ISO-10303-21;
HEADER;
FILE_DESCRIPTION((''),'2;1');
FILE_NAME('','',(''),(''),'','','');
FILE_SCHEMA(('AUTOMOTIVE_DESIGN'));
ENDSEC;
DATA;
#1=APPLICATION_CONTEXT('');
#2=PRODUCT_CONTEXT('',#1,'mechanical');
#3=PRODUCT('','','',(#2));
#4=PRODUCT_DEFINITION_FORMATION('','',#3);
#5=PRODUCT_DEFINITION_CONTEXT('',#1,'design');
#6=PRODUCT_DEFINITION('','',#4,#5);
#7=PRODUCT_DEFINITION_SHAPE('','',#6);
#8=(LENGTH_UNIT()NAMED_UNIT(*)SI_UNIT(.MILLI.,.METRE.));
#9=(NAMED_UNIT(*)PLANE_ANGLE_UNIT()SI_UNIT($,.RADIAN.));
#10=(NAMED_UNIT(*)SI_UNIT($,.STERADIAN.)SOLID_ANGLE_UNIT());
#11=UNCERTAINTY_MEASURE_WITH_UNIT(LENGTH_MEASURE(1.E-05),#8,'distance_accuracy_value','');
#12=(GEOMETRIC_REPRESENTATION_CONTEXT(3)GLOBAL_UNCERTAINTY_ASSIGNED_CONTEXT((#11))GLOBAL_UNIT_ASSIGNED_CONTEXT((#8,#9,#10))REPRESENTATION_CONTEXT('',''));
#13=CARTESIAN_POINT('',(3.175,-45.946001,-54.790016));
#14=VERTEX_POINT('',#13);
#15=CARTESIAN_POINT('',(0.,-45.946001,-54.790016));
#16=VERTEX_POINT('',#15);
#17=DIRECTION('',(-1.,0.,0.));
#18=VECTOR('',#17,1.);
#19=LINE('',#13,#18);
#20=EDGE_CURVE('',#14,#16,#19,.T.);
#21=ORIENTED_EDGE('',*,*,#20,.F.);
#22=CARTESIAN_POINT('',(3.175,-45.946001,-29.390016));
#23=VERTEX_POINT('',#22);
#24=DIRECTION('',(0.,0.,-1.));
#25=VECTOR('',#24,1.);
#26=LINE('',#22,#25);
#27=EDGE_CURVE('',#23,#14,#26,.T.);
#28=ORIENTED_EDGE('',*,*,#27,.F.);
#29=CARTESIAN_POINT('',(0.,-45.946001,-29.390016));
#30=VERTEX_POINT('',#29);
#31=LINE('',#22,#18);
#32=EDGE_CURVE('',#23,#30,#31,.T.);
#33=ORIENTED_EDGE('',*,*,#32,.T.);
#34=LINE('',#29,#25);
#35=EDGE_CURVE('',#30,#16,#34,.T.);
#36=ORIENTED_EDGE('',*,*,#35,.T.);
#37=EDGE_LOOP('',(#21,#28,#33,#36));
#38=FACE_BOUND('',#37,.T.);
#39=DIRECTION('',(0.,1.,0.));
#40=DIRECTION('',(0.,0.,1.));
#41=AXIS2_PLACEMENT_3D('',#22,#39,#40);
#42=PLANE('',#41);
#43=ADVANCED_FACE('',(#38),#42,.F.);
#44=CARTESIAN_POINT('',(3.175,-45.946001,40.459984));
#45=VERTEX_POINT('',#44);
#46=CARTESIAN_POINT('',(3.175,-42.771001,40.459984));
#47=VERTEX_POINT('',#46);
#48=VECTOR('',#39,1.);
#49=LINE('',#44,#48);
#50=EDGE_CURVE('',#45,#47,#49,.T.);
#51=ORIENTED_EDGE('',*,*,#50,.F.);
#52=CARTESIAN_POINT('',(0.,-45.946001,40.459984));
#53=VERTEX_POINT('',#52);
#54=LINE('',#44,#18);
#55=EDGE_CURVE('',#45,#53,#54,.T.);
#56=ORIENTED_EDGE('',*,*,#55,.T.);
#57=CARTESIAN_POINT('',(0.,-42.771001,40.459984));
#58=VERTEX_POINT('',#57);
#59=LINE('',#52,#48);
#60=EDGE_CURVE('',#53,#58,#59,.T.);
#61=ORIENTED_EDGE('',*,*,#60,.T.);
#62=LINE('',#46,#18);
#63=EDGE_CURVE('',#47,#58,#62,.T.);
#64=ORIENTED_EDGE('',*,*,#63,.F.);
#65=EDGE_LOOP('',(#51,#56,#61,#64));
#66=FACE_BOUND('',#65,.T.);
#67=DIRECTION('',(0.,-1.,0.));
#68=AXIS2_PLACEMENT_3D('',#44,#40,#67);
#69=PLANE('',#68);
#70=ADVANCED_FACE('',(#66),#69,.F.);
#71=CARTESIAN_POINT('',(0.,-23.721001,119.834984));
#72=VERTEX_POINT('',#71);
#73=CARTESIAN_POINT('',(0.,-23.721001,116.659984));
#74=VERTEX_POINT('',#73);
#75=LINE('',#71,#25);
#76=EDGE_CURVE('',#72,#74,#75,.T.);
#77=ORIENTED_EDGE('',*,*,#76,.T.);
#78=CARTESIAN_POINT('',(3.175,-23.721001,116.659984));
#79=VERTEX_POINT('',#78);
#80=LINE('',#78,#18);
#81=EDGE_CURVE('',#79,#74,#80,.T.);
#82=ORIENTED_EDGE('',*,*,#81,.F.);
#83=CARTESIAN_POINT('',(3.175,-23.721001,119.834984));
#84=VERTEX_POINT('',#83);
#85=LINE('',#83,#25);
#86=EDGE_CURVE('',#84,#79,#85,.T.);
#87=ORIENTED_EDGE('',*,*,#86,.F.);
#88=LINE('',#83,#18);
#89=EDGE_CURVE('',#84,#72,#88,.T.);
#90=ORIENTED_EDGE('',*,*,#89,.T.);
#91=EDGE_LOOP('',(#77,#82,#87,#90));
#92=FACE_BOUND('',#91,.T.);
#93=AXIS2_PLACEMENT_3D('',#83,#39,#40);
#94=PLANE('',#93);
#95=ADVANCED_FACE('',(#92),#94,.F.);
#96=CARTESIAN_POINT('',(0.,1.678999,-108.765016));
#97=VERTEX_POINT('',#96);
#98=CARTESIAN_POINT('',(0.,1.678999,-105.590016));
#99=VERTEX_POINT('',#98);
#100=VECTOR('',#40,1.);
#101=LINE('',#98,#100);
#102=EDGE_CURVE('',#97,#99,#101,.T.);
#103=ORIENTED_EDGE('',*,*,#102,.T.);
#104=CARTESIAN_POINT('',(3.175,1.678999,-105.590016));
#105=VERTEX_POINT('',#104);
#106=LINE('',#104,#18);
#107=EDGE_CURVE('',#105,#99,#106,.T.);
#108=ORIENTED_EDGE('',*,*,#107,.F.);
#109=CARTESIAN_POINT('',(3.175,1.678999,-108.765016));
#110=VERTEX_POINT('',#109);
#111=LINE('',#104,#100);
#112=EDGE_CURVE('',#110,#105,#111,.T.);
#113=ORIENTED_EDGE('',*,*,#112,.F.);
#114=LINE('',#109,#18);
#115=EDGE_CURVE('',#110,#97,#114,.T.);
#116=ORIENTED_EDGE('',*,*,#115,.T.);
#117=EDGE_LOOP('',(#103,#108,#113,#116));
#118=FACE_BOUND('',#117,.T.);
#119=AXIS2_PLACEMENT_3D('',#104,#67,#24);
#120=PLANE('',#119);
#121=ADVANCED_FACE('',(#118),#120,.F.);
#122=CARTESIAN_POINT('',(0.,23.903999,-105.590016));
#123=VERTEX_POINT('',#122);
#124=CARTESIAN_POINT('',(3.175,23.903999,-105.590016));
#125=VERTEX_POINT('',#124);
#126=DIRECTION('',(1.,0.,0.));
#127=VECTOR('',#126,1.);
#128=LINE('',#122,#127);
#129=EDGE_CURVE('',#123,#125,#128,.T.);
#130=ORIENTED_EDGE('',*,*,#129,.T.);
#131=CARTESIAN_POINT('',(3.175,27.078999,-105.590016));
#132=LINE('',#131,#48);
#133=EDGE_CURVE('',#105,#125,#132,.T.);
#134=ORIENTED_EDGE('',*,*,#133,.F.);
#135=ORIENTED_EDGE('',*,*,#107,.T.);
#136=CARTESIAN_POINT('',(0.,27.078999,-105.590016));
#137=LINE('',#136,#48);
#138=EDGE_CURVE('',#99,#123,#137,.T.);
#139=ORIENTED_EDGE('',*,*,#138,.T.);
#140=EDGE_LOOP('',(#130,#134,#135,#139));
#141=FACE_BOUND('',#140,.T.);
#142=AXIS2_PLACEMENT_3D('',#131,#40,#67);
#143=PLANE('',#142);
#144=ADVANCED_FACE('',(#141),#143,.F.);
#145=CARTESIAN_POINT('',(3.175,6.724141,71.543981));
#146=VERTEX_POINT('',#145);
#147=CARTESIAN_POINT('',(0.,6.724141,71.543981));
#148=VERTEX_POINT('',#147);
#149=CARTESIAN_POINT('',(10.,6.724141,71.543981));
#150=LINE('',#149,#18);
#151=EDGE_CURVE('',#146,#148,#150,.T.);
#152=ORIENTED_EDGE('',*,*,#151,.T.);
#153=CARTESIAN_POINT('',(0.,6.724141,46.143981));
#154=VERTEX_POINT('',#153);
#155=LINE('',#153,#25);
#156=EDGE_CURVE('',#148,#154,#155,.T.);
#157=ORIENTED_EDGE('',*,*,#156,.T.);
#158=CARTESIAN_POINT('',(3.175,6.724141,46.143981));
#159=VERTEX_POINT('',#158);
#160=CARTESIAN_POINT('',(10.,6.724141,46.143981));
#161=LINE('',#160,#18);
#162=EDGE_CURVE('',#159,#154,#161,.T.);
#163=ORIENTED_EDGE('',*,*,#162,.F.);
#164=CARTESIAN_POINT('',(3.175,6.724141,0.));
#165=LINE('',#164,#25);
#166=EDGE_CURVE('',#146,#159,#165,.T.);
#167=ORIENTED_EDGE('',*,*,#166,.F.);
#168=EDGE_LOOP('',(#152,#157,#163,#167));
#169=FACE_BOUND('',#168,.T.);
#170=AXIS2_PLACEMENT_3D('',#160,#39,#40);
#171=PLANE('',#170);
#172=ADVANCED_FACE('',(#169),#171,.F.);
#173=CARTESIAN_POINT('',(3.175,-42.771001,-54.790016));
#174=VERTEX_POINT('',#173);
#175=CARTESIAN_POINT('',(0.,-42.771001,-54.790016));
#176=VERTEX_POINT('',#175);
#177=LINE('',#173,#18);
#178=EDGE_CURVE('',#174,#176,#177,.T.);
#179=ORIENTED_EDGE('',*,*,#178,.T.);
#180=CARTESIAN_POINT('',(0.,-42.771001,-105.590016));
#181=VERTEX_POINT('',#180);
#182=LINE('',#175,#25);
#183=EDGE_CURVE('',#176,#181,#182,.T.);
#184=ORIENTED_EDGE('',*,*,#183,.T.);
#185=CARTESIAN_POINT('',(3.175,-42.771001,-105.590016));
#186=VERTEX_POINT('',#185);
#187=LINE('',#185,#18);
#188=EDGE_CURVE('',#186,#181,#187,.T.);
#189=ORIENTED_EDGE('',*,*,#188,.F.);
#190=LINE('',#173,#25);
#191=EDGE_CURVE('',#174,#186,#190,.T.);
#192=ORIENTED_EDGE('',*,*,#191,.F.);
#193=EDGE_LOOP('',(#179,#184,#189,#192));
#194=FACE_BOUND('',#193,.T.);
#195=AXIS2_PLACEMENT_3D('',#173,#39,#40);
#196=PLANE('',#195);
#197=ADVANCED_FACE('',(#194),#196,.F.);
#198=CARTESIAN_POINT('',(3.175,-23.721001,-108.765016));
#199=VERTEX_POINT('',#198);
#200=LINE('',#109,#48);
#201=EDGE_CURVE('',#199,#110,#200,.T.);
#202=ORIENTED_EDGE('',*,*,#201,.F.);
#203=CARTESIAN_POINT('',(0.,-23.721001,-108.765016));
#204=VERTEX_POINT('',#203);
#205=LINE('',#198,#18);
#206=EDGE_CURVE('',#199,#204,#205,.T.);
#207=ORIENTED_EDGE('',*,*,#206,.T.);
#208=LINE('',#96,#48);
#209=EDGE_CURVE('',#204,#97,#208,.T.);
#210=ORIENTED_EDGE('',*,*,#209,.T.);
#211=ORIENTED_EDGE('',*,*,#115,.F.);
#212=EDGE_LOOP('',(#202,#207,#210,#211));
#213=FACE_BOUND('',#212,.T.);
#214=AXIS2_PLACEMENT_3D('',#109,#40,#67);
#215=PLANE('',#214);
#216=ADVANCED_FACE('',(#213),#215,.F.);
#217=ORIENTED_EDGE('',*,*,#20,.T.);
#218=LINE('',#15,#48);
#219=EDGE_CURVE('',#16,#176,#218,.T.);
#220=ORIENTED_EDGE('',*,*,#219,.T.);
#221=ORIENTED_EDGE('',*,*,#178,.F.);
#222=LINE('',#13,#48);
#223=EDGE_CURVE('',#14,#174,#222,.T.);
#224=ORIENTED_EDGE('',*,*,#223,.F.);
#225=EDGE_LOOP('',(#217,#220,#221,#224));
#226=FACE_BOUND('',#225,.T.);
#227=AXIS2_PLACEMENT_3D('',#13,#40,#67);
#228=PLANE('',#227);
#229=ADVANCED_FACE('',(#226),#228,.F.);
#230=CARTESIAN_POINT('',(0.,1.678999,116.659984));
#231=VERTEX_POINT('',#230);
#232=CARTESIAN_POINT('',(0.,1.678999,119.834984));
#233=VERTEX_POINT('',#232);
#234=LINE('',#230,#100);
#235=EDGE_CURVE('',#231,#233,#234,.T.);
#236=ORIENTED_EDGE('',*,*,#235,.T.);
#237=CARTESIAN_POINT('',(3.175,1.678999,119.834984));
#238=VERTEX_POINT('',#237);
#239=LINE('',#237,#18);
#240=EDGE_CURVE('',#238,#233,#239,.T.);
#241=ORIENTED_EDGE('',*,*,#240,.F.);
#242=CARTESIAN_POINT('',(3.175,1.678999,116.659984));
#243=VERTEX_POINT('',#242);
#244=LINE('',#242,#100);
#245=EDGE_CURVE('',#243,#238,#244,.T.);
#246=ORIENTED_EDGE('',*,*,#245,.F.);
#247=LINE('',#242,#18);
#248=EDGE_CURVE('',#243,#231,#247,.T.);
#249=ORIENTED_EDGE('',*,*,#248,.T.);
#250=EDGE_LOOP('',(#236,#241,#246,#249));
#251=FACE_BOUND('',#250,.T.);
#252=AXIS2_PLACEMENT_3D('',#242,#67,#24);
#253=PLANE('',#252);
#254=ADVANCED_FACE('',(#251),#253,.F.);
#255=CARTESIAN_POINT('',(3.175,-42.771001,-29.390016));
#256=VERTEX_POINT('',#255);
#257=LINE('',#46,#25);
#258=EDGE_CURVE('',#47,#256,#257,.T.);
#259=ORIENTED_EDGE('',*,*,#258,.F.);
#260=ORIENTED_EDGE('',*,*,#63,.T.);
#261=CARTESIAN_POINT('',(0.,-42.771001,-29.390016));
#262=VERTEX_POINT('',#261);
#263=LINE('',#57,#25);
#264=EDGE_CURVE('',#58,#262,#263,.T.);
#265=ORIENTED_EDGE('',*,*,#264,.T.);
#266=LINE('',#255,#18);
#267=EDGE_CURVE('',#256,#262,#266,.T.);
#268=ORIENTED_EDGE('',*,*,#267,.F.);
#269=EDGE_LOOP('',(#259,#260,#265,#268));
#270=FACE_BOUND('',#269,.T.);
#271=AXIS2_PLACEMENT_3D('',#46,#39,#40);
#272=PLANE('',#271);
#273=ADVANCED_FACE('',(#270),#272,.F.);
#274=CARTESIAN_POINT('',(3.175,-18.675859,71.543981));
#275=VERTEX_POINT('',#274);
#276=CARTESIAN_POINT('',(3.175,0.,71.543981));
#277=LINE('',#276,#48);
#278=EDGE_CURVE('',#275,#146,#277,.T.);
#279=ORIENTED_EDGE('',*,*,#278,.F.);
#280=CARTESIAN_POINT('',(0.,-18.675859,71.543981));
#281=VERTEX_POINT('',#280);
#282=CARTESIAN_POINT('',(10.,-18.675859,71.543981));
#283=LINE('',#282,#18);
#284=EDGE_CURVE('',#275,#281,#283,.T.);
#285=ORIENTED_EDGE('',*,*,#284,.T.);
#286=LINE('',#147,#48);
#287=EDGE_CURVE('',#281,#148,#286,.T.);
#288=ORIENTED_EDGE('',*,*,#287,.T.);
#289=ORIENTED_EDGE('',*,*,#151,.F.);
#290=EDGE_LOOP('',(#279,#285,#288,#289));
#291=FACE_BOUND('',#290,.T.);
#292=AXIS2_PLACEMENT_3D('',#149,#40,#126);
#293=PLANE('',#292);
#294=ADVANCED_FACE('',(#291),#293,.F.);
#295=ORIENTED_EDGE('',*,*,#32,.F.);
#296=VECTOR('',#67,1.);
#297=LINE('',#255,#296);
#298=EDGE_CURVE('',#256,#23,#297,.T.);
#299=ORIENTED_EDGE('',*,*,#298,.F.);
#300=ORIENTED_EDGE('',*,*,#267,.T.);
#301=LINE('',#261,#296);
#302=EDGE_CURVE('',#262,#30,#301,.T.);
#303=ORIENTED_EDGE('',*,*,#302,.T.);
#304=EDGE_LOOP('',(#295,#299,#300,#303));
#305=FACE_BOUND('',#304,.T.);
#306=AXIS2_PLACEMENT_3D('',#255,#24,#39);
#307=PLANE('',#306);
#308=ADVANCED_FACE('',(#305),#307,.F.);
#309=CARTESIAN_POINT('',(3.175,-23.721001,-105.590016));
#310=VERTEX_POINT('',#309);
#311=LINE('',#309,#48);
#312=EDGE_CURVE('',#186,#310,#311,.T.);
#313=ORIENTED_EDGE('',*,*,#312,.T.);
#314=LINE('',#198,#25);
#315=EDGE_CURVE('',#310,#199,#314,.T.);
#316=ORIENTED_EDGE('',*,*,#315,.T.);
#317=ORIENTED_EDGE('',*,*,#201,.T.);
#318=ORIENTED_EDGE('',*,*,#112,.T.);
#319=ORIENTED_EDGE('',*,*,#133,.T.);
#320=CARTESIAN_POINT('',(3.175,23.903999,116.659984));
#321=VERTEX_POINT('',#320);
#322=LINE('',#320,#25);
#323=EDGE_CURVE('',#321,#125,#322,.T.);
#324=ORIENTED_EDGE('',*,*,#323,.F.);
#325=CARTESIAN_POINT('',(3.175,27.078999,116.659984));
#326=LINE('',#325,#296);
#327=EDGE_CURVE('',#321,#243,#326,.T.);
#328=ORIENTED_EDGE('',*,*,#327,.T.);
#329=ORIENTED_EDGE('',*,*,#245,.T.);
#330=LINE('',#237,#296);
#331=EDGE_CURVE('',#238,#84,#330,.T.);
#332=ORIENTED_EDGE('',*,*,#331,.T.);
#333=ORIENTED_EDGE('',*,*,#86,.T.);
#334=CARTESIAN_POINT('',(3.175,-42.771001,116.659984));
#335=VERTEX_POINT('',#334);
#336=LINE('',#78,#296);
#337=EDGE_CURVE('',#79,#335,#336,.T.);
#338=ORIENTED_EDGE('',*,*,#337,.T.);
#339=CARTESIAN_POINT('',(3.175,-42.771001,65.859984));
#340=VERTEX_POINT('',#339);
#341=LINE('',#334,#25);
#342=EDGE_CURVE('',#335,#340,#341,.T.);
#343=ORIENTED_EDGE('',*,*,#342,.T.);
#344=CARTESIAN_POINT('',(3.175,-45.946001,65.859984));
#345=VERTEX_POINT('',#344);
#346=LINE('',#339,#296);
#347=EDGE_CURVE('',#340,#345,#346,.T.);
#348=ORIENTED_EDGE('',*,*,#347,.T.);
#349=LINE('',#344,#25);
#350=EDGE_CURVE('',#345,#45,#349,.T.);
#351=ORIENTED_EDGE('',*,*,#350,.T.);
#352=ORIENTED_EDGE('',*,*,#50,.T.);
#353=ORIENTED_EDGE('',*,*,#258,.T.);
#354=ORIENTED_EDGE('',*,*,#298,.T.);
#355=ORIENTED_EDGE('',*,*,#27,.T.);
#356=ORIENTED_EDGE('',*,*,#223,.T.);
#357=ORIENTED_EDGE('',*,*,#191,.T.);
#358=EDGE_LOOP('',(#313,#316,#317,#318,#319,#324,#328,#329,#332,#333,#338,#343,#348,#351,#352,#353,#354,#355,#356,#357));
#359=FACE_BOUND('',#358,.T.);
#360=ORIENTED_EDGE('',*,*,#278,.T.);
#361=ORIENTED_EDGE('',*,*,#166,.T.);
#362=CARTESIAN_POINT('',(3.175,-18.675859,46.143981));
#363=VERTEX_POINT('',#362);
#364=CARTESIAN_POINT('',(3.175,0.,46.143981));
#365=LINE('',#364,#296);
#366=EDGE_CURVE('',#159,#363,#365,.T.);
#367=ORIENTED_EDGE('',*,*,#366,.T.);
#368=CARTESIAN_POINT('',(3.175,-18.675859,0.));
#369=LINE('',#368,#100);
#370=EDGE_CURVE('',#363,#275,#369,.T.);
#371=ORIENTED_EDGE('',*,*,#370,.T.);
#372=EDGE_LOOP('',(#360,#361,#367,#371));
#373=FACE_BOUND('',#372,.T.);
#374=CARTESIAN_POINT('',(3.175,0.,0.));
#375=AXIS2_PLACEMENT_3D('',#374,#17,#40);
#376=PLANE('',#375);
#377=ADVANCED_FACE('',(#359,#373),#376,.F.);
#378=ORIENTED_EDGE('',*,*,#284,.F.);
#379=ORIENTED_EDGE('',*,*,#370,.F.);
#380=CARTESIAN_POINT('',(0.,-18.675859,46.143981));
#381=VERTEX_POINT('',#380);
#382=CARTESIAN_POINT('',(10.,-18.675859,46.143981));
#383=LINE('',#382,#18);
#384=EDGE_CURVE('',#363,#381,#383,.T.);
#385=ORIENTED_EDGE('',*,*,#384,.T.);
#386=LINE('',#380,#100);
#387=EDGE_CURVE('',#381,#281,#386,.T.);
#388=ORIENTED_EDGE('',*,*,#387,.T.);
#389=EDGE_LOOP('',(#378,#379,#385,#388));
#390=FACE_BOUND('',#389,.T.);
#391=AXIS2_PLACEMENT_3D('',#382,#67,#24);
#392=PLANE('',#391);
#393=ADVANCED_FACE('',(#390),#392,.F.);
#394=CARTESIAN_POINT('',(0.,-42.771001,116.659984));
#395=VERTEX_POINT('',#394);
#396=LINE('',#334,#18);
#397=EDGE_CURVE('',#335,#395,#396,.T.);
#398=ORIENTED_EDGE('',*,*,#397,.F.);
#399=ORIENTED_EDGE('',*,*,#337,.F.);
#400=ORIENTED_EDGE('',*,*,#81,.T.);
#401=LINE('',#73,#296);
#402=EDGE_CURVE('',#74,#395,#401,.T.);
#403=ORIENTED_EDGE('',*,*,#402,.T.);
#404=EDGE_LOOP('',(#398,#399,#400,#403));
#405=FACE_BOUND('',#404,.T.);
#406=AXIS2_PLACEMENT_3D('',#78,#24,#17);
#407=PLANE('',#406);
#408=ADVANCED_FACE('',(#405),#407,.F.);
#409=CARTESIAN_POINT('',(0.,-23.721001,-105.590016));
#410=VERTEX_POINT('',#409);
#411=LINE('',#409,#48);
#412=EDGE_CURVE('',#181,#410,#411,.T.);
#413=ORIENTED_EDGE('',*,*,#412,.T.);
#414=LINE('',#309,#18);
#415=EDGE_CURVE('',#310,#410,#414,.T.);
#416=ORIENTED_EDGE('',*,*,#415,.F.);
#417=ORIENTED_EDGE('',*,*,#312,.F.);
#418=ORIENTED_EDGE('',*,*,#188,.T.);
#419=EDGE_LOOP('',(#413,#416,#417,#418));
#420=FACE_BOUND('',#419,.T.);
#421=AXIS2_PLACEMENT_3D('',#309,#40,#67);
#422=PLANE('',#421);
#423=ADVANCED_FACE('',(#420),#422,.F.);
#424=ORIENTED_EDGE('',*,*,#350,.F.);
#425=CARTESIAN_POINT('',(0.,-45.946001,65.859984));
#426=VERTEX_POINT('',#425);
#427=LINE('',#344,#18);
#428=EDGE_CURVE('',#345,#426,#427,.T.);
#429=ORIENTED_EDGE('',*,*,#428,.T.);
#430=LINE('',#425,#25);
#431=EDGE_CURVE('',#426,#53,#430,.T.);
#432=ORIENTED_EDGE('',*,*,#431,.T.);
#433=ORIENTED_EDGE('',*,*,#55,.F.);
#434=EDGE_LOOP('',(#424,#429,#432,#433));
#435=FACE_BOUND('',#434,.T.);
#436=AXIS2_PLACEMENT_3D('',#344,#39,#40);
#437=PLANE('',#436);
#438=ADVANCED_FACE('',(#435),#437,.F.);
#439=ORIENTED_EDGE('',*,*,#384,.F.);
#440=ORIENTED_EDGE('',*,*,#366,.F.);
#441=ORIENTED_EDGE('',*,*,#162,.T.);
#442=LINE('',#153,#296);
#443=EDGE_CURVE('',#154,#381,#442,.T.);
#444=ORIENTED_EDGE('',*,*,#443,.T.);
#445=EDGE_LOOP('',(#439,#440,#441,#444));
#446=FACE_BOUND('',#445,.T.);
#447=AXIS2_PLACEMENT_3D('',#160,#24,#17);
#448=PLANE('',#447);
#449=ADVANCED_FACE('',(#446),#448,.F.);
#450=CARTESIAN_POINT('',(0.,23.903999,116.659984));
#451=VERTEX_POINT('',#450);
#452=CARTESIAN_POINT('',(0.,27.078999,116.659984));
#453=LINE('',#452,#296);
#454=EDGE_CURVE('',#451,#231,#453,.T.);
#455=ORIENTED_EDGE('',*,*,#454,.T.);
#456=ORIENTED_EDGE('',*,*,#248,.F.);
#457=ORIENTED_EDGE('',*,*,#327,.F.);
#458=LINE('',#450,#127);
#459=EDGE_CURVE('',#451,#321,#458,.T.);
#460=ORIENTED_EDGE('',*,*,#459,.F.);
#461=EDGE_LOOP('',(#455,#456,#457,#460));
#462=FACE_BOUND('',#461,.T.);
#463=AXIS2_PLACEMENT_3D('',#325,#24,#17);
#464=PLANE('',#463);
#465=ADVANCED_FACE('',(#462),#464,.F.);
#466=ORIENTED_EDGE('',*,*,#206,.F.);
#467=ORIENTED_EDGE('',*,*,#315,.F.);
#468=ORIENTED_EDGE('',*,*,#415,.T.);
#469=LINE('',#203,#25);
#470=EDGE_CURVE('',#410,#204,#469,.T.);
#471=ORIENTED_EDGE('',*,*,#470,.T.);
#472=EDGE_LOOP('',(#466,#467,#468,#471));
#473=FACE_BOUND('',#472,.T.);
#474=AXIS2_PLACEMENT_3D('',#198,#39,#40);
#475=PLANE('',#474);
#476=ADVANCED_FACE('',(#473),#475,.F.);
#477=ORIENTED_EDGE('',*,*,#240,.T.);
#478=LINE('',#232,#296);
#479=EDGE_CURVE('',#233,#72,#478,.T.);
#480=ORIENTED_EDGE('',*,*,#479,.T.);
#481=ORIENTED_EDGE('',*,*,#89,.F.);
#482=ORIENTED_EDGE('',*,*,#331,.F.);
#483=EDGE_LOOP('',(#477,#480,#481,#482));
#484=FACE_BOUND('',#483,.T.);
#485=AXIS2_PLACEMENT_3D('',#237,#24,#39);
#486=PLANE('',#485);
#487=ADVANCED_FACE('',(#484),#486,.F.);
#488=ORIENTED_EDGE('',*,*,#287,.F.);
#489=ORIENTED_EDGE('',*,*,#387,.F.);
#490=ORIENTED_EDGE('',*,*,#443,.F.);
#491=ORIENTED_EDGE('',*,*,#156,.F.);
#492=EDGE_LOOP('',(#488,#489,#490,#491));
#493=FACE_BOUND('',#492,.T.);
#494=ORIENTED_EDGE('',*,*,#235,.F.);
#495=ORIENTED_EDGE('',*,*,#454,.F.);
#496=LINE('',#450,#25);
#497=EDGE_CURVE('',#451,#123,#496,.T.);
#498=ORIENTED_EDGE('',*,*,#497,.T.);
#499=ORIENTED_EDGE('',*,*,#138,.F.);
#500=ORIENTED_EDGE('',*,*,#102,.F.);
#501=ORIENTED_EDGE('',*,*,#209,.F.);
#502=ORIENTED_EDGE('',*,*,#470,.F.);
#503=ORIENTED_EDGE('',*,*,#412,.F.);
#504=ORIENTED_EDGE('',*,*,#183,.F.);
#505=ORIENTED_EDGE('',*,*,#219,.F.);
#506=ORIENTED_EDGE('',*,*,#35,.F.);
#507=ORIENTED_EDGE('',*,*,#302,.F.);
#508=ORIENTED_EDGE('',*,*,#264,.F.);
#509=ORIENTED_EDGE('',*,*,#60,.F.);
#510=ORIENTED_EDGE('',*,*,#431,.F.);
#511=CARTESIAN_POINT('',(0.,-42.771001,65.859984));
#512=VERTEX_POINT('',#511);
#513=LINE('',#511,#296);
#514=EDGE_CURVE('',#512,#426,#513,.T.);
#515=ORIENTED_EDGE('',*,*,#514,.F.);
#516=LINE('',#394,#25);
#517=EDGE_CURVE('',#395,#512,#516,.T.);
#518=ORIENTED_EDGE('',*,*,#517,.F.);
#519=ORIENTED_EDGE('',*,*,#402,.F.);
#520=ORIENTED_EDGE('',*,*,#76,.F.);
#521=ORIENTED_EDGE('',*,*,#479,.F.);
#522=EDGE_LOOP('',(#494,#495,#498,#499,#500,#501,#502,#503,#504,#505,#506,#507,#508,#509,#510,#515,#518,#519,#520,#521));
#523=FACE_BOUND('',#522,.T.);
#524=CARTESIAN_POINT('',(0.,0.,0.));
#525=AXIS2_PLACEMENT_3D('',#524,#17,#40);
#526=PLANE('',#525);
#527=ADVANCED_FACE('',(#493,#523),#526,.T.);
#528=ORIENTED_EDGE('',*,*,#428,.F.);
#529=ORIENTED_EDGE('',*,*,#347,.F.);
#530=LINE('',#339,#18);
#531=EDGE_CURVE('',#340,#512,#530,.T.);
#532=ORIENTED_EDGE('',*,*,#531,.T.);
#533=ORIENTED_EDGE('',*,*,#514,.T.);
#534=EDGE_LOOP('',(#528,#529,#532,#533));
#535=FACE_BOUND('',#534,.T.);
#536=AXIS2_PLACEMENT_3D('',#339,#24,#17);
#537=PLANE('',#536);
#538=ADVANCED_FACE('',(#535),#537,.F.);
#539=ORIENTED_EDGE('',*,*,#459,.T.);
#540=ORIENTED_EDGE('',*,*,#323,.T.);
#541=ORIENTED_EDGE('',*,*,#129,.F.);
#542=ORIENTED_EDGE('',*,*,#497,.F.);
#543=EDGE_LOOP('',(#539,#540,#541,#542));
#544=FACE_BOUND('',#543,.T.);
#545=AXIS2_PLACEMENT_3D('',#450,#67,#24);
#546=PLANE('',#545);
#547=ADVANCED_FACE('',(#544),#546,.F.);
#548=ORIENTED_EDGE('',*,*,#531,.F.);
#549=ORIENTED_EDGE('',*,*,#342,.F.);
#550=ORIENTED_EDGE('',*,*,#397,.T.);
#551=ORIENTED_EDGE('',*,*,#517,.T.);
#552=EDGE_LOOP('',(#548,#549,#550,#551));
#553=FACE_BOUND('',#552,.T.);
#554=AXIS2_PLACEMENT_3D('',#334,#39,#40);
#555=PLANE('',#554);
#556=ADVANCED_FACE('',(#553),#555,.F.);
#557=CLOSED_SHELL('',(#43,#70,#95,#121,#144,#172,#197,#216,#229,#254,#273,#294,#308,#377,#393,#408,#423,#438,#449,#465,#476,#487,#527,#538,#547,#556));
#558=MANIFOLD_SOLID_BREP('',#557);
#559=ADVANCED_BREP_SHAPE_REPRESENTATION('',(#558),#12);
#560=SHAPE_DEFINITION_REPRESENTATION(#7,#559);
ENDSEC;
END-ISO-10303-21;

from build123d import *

# Parameters (mm, degrees)
BOSS_EXTRUDE1_DEPTH = 3.175
SKETCH2_W           = 222.25
SKETCH2_H           = 3.175
CUT_EXTRUDE1_DEPTH  = 4.175
SKETCH3_W           = 25.4
SKETCH3_H           = 25.4
CUT_EXTRUDE2_DEPTH  = 10


with BuildPart() as part:
    # Sketch1 → Boss-Extrude1 (new body)
    with BuildSketch(Plane(origin=(0, 0, 0), x_dir=(0, 0, -1), z_dir=(1, 0, 0))):
        Polygon((-116.659983875, 27.078998721), (-116.659983875, 1.678998721), (-119.834983875, 1.678998721), (-119.834983875, -23.721001279), (-116.659983875, -23.721001279), (-116.659983875, -42.771001279), (-65.859983875, -42.771001279), (-65.859983875, -45.946001279), (-40.459983875, -45.946001279), (-40.459983875, -42.771001279), (29.390016125, -42.771001279), (29.390016125, -45.946001279), (54.790016125, -45.946001279), (54.790016125, -42.771001279), (105.590016125, -42.771001279), (105.590016125, -23.721001279), (108.765016125, -23.721001279), (108.765016125, 1.678998721), (105.590016125, 1.678998721), (105.590016125, 27.078998721), align=None)
    extrude(amount=BOSS_EXTRUDE1_DEPTH)

    # Sketch2 → Cut-Extrude1 (cut, through all)
    with BuildSketch(Plane(origin=(3.175, 0, 0), x_dir=(0, 0, -1), z_dir=(1, 0, 0))):
        with Locations((-5.534983875, 25.491498721)):
            Rectangle(SKETCH2_W, SKETCH2_H)
    extrude(amount=-CUT_EXTRUDE1_DEPTH, mode=Mode.SUBTRACT)

    # Sketch3 → Cut-Extrude2 (cut)
    with BuildSketch(Plane.ZY):
        with Locations((58.843980592, -5.975859027)):
            Rectangle(SKETCH3_W, SKETCH3_H)
    extrude(amount=-CUT_EXTRUDE2_DEPTH, mode=Mode.SUBTRACT)


solid = part.part
